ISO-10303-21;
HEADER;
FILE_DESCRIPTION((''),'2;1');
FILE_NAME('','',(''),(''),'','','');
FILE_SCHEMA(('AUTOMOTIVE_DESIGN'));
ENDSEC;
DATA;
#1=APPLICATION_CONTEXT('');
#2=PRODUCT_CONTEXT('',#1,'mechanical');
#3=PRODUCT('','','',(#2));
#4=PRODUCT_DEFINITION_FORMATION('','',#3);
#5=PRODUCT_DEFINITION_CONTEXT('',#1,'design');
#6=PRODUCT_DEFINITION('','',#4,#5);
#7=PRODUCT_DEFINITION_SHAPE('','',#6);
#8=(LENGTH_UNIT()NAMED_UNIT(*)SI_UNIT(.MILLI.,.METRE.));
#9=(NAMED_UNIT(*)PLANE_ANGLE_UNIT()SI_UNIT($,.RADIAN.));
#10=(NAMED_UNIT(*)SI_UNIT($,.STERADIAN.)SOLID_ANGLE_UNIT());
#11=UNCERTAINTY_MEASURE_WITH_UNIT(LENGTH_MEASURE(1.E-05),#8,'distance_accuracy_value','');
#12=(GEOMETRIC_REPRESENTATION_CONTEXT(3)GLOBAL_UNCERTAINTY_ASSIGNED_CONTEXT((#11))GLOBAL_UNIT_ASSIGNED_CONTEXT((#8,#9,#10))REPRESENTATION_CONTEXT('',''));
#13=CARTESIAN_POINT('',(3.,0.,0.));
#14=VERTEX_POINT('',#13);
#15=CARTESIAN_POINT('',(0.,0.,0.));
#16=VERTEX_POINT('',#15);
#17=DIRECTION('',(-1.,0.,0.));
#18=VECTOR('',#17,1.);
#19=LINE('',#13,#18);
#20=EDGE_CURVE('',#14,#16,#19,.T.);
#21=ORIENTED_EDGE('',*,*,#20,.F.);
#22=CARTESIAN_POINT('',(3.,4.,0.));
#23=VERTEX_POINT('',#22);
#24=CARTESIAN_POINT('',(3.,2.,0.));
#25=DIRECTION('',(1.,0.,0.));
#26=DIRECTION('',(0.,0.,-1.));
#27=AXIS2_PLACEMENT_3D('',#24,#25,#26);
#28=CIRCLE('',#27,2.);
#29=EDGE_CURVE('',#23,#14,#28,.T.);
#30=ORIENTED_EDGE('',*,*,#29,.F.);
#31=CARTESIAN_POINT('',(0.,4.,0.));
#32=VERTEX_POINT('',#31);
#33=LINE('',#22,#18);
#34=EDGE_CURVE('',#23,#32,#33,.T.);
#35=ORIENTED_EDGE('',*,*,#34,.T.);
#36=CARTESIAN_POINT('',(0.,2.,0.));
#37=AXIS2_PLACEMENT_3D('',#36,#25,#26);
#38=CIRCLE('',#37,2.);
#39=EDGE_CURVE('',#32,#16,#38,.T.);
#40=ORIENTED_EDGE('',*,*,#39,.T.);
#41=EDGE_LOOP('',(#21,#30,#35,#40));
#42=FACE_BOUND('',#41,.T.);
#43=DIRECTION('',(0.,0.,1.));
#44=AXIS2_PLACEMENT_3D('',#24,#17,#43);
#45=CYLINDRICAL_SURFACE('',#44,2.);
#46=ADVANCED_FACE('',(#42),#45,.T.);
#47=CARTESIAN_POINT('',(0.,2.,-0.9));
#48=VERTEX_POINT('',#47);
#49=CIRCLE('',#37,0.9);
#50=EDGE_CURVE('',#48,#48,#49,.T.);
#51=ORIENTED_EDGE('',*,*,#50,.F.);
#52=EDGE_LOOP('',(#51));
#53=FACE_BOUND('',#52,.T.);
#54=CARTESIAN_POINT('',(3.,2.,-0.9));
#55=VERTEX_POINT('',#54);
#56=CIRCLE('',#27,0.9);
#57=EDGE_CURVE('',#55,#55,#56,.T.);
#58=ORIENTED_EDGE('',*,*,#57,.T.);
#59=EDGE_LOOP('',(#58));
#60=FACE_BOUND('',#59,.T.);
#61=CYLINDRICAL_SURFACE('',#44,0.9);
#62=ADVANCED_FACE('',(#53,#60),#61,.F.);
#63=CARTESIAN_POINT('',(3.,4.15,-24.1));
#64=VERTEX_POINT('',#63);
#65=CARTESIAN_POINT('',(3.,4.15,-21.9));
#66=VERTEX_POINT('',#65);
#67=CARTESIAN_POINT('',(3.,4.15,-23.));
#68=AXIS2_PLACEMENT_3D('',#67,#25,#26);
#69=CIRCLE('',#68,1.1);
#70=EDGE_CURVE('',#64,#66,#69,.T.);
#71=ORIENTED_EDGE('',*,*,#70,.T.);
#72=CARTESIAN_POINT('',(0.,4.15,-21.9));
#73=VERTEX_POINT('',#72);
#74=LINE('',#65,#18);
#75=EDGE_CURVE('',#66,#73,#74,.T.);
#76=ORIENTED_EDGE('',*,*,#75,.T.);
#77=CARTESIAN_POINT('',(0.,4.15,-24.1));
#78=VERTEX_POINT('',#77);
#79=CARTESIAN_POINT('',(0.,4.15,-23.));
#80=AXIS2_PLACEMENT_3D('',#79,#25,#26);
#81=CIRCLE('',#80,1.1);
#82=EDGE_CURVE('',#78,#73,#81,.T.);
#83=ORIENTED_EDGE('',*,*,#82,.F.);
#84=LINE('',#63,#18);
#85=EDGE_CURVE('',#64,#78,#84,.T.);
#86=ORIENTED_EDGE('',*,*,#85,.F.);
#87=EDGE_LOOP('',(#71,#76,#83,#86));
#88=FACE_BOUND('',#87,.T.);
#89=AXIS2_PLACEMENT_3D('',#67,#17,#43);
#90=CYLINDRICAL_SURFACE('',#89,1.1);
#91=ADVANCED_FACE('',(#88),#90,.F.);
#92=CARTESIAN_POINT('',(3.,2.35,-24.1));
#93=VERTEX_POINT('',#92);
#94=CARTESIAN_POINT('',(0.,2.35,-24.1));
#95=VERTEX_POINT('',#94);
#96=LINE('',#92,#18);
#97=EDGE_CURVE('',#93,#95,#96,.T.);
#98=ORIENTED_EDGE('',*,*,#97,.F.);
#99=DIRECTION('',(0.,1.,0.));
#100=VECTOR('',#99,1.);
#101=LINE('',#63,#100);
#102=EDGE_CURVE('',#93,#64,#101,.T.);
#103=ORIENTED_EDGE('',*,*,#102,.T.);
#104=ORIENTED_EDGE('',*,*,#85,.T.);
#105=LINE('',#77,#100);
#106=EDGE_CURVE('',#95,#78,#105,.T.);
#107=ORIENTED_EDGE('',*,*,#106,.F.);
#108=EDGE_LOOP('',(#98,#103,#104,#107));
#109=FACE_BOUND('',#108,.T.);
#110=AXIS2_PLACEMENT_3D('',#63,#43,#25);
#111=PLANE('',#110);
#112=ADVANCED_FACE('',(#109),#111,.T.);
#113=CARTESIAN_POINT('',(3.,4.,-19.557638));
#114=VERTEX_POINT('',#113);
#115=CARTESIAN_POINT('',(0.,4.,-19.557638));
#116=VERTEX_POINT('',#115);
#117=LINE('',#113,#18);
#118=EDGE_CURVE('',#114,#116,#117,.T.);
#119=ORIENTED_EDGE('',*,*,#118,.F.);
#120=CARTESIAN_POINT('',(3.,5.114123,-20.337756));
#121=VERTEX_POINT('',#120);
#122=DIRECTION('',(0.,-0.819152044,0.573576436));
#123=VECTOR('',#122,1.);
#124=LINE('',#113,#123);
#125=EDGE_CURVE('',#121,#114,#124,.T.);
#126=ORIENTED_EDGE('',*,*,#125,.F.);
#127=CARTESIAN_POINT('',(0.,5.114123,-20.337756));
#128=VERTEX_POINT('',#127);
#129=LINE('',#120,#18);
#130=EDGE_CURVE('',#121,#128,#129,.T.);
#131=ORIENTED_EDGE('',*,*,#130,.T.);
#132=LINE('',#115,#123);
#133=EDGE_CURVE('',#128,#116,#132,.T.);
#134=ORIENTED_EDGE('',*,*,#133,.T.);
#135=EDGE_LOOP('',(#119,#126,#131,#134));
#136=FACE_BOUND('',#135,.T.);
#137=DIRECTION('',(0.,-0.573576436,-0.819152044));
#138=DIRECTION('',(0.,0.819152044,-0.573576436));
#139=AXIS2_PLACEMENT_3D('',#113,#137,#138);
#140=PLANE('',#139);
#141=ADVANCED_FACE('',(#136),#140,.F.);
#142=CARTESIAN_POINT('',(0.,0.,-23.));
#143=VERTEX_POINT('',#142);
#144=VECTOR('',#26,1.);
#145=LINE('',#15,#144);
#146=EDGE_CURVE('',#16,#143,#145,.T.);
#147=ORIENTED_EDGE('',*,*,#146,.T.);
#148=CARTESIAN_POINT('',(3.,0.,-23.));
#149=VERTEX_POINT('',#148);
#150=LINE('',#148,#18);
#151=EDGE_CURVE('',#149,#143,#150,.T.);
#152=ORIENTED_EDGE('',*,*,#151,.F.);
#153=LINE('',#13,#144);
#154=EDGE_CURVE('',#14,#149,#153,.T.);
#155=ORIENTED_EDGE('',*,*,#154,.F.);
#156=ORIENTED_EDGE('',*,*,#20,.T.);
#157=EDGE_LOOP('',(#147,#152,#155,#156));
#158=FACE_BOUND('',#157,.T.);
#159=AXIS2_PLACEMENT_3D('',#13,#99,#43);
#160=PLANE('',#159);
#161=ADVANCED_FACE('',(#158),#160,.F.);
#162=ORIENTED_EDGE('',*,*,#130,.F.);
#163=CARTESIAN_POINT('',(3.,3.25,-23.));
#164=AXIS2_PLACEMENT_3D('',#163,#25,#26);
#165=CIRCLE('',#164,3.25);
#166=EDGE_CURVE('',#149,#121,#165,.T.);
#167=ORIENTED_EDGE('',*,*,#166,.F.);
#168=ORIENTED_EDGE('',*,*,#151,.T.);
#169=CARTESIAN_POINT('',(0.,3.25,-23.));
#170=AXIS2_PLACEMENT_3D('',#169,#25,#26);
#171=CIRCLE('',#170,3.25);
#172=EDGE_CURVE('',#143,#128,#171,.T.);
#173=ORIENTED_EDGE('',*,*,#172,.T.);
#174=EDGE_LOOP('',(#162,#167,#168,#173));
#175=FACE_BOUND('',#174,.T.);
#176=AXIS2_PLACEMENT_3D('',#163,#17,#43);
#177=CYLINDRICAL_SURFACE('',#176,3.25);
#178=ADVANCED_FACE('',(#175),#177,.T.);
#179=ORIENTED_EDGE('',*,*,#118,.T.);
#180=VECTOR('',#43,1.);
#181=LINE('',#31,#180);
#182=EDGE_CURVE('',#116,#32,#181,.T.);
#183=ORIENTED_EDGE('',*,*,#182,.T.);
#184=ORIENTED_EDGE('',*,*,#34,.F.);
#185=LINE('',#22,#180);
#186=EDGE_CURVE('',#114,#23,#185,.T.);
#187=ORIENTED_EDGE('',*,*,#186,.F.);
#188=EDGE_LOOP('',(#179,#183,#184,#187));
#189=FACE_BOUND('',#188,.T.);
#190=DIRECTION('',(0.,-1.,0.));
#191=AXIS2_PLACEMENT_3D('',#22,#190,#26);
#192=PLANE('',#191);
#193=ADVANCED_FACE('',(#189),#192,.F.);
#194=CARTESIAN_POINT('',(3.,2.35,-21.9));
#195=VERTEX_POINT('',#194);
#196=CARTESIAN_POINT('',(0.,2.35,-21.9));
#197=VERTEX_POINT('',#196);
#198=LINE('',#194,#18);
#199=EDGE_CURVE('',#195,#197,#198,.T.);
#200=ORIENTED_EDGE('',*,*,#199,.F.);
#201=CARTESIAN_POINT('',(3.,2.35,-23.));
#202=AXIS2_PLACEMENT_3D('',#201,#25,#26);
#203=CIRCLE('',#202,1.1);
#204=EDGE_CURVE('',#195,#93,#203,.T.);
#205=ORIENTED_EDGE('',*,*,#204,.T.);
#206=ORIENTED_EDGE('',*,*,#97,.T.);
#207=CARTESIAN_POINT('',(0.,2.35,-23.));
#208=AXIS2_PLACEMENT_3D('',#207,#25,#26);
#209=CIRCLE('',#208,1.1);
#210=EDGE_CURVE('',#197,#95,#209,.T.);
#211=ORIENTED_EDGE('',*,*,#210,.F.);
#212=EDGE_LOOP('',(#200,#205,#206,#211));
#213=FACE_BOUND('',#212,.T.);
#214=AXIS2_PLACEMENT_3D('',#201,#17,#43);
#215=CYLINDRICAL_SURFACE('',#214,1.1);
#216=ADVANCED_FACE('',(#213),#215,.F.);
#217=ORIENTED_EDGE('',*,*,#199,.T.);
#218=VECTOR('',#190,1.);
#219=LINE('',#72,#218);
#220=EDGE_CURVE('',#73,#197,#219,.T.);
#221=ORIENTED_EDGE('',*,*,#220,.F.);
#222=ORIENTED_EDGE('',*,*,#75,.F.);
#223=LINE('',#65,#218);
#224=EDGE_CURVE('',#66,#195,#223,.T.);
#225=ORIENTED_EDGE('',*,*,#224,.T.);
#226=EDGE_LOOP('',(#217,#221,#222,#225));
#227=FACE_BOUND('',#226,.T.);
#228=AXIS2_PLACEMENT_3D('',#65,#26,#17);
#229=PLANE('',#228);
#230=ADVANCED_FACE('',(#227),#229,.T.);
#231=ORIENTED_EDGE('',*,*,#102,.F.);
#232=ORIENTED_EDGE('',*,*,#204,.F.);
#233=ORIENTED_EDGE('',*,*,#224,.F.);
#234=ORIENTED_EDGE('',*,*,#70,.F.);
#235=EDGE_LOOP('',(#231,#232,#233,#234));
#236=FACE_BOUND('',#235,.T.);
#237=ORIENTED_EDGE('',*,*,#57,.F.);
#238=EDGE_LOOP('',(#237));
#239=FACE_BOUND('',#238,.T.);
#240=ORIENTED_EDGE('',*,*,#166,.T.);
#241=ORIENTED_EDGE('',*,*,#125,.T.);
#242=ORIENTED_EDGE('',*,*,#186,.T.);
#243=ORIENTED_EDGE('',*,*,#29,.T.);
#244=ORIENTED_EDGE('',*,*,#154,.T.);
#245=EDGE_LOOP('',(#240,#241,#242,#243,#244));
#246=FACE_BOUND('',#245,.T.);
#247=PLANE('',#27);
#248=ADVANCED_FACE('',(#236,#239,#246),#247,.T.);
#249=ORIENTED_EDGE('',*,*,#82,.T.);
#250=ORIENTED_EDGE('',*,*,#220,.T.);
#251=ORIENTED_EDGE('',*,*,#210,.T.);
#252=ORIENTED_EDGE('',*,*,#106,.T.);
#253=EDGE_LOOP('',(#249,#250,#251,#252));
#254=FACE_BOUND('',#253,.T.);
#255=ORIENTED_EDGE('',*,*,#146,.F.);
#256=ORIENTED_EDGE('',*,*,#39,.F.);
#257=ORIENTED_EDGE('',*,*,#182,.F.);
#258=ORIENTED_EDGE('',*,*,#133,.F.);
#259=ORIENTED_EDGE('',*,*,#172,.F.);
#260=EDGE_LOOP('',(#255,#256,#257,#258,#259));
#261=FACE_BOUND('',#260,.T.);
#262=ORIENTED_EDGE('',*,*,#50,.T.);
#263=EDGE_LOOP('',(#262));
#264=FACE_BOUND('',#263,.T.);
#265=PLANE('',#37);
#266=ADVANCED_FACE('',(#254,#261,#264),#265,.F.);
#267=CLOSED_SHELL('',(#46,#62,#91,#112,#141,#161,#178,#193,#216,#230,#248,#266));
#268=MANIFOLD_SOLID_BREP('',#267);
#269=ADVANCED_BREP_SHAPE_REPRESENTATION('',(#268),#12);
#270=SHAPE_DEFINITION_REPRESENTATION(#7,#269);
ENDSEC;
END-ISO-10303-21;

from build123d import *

# Parameters (mm, degrees)
SKETCH1_R      = 0.9
EXTRUDE1_DEPTH = 3


with BuildPart() as part:
    # Sketch1 → Extrude1 (new body)
    with BuildSketch(Plane(origin=(0, 0, 0), x_dir=(0, 0, -1), z_dir=(1, 0, 0))):
        with BuildLine():
            Line((0, 0), (23, 0))
            ThreePointArc((23, 0), (25.882785208, 4.750682993), (20.337755856, 5.114123418))
            Line((20.337755856, 5.114123418), (19.55763824, 4))
            Line((19.55763824, 4), (0, 4))
            ThreePointArc((0, 4), (-2, 2), (0, 0))
        make_face()
        with Locations((0, 2)):
            Circle(SKETCH1_R, mode=Mode.SUBTRACT)
        with BuildLine():
            Line((24.1, 4.15), (24.1, 2.35))
            ThreePointArc((24.1, 2.35), (23, 1.25), (21.9, 2.35))
            Line((21.9, 2.35), (21.9, 4.15))
            ThreePointArc((21.9, 4.15), (23, 5.25), (24.1, 4.15))
        make_face(mode=Mode.SUBTRACT)
    extrude(amount=EXTRUDE1_DEPTH)


solid = part.part
